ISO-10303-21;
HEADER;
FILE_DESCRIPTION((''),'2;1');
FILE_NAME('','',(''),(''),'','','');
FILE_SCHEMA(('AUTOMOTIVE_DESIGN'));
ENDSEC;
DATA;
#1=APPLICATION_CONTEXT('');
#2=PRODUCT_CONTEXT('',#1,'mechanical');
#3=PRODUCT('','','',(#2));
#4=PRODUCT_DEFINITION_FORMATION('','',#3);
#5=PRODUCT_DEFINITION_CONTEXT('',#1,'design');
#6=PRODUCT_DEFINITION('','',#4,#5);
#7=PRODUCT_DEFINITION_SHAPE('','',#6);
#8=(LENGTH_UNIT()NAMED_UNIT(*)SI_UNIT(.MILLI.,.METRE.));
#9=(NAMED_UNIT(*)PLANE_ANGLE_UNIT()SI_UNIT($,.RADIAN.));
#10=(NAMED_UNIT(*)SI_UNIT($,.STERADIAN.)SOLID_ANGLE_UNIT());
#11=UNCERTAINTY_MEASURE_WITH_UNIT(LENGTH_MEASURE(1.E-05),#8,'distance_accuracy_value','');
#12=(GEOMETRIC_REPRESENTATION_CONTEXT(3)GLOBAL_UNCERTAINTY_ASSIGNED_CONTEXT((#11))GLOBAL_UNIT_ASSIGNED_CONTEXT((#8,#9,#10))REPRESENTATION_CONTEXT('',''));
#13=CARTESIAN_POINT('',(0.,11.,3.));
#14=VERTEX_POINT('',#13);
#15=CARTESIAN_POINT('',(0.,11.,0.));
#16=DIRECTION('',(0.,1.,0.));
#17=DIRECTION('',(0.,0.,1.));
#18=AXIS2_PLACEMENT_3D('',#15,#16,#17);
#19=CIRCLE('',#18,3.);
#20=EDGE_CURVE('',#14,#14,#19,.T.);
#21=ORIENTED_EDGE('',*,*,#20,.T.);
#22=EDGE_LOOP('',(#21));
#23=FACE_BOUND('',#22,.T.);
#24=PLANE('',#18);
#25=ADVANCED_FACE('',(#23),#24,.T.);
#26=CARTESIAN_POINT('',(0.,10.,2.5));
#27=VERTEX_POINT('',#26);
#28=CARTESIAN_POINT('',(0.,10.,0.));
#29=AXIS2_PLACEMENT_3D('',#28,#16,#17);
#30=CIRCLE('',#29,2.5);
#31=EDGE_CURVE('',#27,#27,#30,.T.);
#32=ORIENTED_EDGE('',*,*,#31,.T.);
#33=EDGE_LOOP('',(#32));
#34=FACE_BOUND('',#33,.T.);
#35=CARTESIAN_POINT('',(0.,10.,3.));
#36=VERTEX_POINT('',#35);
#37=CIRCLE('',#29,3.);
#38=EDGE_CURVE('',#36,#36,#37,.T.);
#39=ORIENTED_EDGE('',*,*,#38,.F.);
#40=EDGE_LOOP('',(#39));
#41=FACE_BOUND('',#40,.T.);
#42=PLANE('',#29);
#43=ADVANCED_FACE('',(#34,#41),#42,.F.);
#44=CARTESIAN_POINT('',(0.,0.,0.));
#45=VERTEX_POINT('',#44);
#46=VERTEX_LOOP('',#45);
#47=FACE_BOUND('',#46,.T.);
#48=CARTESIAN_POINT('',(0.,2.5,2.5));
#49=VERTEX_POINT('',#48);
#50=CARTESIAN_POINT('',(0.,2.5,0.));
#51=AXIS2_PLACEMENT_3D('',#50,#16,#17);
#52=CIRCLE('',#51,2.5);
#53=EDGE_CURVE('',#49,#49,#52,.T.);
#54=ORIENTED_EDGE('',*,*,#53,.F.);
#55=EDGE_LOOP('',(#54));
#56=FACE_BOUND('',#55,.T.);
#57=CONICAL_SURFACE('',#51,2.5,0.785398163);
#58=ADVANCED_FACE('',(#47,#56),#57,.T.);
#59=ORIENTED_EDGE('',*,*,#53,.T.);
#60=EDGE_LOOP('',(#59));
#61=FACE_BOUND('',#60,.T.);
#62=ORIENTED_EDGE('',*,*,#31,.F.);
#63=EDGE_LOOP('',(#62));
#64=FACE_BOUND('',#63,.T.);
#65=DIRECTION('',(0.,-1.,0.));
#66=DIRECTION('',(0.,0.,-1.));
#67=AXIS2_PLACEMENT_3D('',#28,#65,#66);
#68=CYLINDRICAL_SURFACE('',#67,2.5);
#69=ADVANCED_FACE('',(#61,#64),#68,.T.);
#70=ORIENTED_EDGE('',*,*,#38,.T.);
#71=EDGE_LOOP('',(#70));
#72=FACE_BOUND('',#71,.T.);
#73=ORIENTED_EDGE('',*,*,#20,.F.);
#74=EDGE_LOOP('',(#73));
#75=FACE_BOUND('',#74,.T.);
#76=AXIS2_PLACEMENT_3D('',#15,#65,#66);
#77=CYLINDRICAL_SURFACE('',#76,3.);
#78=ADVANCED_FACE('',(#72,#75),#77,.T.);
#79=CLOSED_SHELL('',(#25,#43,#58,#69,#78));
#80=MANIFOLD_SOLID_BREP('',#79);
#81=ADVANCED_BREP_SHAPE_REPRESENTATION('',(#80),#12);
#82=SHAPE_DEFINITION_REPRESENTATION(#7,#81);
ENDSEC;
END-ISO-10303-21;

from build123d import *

# Parameters (mm, degrees)
SZKIC1_R                    = 2.5
DODANIE_WYCI_GNI_CIE1_DEPTH = 10
SFAZOWANIE1_SIZE            = 2.5
SZKIC3_R                    = 3
DODANIE_WYCI_GNI_CIE2_DEPTH = 1


with BuildPart() as part:
    # Szkic1 → Dodanie-wyciągnięcie1 (new body)
    with BuildSketch(Plane(origin=(0, 0, 0), x_dir=(1, 0, 0), z_dir=(0, 1, 0))):
        with Locations(Location((0, 0, 0), (0, 0, 270))):
            Circle(SZKIC1_R)
    extrude(amount=DODANIE_WYCI_GNI_CIE1_DEPTH)

    # Sfazowanie1
    sfazowanie1_edges = [part.edges().sort_by_distance(p)[0] for p in [
        (0, 0, -2.5),
    ]]
    chamfer(sfazowanie1_edges, length=SFAZOWANIE1_SIZE)

    # Szkic3 → Dodanie-wyciągnięcie2 (add)
    with BuildSketch(Plane(origin=(0, 10, 0), x_dir=(1, 0, 0), z_dir=(0, 1, 0))):
        with Locations(Location((0, 0, 0), (0, 0, 270))):
            Circle(SZKIC3_R)
    extrude(amount=DODANIE_WYCI_GNI_CIE2_DEPTH)


solid = part.part
